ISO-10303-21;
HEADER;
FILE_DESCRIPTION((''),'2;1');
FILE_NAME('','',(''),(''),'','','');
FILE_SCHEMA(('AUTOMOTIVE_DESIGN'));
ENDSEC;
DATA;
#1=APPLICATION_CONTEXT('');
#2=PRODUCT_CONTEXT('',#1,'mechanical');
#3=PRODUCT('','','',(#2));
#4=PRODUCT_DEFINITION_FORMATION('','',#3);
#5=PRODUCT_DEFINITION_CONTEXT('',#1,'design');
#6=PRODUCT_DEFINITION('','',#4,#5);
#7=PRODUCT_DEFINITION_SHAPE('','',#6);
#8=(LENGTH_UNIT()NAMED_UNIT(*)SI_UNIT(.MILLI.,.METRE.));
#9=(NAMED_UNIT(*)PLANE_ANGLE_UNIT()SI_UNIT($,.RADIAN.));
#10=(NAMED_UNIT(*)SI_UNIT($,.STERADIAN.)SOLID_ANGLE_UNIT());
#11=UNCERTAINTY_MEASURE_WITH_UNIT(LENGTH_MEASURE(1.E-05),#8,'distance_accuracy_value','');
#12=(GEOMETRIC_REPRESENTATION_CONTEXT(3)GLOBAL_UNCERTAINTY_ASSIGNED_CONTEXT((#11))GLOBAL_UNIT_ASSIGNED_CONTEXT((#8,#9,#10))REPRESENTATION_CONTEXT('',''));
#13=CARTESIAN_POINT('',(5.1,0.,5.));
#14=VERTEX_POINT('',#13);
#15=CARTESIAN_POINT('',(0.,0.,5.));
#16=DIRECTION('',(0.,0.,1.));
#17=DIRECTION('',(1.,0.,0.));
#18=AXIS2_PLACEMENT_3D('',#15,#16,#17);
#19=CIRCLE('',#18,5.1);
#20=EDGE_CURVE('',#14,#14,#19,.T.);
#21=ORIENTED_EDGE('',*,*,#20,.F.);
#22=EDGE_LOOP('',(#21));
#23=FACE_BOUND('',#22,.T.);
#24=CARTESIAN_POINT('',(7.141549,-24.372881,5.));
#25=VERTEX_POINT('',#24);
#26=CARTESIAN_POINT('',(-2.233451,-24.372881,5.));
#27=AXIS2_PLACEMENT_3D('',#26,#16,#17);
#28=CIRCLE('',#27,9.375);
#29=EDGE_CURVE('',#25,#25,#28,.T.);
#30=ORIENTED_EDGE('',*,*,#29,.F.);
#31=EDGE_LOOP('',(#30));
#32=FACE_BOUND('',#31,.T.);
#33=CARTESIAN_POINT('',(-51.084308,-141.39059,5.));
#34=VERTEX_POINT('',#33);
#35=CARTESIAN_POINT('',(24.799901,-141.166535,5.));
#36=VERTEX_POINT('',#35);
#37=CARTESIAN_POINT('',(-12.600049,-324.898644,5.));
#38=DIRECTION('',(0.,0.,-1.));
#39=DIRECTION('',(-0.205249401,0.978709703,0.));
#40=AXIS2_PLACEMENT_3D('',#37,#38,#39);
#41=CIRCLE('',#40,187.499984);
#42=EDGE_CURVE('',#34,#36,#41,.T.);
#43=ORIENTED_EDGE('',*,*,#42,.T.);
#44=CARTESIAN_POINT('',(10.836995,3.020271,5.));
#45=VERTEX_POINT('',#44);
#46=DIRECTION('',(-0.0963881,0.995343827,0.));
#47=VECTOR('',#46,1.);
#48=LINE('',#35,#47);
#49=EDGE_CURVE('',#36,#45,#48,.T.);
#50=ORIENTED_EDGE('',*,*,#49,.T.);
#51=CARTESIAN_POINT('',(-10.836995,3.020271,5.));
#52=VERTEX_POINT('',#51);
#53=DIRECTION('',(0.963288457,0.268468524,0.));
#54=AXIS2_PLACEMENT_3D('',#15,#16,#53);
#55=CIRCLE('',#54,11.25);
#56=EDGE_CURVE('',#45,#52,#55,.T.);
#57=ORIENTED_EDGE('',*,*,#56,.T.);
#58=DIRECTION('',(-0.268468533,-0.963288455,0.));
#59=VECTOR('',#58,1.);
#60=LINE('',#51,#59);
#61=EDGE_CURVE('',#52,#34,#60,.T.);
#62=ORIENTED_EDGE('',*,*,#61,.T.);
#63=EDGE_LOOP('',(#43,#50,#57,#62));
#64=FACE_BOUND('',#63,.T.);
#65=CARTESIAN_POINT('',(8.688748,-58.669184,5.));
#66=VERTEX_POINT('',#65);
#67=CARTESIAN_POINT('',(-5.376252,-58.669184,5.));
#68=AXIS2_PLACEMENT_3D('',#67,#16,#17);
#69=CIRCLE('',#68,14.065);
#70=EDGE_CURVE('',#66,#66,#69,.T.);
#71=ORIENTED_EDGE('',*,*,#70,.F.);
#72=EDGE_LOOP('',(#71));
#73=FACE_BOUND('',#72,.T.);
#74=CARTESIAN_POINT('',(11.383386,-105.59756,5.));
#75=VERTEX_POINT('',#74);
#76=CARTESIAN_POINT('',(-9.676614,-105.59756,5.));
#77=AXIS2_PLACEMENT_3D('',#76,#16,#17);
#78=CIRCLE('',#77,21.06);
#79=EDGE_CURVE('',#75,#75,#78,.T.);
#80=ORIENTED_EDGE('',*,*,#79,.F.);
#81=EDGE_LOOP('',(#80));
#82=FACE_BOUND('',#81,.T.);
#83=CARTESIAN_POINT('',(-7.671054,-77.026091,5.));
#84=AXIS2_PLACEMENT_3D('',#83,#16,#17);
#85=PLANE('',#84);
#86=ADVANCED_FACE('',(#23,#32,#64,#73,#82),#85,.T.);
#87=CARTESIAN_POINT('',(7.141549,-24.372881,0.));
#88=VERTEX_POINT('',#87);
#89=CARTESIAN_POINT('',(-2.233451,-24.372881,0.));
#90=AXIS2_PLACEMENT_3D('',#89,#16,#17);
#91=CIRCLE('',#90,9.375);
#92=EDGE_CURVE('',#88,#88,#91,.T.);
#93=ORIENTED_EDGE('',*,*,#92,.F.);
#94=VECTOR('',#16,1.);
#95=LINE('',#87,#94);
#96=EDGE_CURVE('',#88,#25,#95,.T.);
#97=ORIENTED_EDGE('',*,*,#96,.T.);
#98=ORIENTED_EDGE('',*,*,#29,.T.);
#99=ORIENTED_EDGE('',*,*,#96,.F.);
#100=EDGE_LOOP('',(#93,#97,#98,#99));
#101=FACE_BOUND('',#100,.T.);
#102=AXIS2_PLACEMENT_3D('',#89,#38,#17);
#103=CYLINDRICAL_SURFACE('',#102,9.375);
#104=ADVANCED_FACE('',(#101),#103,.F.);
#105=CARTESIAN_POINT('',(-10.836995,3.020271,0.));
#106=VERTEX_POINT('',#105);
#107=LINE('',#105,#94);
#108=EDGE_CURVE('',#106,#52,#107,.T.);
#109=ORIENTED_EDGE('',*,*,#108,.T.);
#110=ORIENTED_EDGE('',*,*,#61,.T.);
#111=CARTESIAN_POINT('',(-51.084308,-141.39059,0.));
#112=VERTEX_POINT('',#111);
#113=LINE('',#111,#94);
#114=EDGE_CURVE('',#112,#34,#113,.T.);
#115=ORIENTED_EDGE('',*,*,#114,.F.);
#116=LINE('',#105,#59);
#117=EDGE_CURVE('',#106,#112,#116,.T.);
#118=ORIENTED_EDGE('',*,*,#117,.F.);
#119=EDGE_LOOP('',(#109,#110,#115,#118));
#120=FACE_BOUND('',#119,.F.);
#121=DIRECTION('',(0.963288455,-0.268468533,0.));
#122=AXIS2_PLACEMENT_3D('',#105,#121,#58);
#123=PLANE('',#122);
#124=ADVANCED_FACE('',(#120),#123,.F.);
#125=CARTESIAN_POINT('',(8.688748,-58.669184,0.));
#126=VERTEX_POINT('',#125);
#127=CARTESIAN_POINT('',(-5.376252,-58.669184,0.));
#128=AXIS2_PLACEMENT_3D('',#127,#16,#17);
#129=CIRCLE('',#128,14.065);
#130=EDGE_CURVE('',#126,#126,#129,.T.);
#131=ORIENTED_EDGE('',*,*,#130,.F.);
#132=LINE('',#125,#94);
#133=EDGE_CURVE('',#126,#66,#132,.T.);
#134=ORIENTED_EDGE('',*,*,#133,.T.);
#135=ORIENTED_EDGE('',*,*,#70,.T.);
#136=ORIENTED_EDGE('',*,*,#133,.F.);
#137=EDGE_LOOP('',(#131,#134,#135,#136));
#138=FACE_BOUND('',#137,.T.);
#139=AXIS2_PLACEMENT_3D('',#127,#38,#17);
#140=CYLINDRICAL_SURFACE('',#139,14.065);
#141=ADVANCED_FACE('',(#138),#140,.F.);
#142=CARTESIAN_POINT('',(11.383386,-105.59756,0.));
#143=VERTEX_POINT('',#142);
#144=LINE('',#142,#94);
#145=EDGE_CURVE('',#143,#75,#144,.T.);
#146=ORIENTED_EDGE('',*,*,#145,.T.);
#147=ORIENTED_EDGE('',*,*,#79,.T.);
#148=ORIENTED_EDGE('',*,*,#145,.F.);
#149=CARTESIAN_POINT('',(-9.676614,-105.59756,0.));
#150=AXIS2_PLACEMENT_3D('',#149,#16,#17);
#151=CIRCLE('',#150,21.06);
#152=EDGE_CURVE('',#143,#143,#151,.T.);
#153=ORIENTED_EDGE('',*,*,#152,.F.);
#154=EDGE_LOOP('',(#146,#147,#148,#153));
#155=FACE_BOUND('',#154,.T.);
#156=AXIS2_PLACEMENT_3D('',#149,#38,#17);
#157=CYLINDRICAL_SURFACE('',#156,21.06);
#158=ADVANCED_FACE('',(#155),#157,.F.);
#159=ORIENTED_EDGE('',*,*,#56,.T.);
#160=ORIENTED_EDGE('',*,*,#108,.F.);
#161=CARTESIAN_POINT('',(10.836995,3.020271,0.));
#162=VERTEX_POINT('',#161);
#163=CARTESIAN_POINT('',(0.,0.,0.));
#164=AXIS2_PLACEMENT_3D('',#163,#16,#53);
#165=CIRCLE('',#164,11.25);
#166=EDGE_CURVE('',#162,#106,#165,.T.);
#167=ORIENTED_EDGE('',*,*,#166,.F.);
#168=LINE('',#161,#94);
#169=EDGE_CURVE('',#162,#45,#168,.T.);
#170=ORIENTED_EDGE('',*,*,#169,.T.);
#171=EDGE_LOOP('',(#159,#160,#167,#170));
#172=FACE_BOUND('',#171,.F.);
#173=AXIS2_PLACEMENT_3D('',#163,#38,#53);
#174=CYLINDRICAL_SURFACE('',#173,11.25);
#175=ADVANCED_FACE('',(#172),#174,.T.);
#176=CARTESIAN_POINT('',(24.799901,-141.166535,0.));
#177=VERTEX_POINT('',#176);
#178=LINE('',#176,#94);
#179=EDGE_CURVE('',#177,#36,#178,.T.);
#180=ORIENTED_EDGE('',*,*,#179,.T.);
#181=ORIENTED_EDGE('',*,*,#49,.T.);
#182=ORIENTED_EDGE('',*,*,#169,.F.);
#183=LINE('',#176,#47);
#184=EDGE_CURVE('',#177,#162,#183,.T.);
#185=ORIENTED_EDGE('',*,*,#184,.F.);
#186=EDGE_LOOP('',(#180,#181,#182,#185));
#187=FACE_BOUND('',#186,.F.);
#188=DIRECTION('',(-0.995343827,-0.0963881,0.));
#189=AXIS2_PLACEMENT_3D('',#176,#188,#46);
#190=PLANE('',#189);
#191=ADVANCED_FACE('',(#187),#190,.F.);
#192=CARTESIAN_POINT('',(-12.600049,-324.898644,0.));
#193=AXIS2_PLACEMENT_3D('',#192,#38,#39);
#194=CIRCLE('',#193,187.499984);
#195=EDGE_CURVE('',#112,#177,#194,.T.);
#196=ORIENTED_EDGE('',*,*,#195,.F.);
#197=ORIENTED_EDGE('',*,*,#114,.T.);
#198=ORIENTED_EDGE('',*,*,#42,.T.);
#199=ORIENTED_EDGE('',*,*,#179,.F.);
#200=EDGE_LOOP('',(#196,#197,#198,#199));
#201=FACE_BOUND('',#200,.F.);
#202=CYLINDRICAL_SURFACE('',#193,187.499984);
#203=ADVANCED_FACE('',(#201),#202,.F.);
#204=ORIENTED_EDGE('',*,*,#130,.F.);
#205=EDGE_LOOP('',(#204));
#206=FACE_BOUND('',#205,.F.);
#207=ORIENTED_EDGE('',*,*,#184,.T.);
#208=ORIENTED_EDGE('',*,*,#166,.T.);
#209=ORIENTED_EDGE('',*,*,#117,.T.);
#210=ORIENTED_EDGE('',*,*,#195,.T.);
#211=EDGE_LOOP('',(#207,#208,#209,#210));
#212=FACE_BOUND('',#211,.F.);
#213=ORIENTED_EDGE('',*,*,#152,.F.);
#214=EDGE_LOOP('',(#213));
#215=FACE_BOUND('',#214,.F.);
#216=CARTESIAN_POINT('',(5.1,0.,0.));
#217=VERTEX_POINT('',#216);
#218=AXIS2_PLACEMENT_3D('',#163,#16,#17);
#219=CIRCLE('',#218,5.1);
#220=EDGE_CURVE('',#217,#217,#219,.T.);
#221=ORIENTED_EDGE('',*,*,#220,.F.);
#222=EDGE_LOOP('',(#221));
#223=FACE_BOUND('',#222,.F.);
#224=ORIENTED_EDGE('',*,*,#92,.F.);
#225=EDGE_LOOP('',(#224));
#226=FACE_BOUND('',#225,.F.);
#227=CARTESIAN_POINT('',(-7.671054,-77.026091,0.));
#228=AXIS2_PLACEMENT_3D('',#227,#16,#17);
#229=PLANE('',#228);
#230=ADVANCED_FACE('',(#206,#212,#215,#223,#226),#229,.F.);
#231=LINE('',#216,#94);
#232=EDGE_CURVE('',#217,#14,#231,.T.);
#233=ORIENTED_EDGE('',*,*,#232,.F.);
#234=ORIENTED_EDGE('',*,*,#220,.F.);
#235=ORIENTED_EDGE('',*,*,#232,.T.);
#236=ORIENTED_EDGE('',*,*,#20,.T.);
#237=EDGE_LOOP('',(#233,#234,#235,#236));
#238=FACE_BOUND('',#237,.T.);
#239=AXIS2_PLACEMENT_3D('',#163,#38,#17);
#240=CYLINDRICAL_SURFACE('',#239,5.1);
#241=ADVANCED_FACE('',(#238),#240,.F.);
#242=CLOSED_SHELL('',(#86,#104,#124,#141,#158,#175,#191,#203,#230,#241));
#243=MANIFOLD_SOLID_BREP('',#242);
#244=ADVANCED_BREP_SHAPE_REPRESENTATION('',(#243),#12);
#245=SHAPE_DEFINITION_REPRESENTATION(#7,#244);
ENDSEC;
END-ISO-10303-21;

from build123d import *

# Parameters (mm, degrees)
F0_R     = 21.06
F0_R_2   = 14.065
F0_R_3   = 9.375
F0_R_4   = 5.1
F1_DEPTH = 5


with BuildPart() as f1:
    # F0 (on Top) → F1 (new body)
    with BuildSketch(Plane.XY):
        with BuildLine():
            Line((24.799901, -141.166535), (10.836995, 3.020271))
            ThreePointArc((10.836995, 3.020271), (0, 11.25), (-10.836995, 3.020271))
            Line((-10.836995, 3.020271), (-51.084308, -141.39059))
            ThreePointArc((-51.084308, -141.39059), (-13.153657, -137.399477), (24.799901, -141.166535))
        make_face()
        with Locations((-9.676614, -105.59756)):
            Circle(F0_R, mode=Mode.SUBTRACT)
        with Locations((-5.376252, -58.669184)):
            Circle(F0_R_2, mode=Mode.SUBTRACT)
        with Locations((-2.233451, -24.372881)):
            Circle(F0_R_3, mode=Mode.SUBTRACT)
        Circle(F0_R_4, mode=Mode.SUBTRACT)
    extrude(amount=F1_DEPTH)


solid = f1.part
